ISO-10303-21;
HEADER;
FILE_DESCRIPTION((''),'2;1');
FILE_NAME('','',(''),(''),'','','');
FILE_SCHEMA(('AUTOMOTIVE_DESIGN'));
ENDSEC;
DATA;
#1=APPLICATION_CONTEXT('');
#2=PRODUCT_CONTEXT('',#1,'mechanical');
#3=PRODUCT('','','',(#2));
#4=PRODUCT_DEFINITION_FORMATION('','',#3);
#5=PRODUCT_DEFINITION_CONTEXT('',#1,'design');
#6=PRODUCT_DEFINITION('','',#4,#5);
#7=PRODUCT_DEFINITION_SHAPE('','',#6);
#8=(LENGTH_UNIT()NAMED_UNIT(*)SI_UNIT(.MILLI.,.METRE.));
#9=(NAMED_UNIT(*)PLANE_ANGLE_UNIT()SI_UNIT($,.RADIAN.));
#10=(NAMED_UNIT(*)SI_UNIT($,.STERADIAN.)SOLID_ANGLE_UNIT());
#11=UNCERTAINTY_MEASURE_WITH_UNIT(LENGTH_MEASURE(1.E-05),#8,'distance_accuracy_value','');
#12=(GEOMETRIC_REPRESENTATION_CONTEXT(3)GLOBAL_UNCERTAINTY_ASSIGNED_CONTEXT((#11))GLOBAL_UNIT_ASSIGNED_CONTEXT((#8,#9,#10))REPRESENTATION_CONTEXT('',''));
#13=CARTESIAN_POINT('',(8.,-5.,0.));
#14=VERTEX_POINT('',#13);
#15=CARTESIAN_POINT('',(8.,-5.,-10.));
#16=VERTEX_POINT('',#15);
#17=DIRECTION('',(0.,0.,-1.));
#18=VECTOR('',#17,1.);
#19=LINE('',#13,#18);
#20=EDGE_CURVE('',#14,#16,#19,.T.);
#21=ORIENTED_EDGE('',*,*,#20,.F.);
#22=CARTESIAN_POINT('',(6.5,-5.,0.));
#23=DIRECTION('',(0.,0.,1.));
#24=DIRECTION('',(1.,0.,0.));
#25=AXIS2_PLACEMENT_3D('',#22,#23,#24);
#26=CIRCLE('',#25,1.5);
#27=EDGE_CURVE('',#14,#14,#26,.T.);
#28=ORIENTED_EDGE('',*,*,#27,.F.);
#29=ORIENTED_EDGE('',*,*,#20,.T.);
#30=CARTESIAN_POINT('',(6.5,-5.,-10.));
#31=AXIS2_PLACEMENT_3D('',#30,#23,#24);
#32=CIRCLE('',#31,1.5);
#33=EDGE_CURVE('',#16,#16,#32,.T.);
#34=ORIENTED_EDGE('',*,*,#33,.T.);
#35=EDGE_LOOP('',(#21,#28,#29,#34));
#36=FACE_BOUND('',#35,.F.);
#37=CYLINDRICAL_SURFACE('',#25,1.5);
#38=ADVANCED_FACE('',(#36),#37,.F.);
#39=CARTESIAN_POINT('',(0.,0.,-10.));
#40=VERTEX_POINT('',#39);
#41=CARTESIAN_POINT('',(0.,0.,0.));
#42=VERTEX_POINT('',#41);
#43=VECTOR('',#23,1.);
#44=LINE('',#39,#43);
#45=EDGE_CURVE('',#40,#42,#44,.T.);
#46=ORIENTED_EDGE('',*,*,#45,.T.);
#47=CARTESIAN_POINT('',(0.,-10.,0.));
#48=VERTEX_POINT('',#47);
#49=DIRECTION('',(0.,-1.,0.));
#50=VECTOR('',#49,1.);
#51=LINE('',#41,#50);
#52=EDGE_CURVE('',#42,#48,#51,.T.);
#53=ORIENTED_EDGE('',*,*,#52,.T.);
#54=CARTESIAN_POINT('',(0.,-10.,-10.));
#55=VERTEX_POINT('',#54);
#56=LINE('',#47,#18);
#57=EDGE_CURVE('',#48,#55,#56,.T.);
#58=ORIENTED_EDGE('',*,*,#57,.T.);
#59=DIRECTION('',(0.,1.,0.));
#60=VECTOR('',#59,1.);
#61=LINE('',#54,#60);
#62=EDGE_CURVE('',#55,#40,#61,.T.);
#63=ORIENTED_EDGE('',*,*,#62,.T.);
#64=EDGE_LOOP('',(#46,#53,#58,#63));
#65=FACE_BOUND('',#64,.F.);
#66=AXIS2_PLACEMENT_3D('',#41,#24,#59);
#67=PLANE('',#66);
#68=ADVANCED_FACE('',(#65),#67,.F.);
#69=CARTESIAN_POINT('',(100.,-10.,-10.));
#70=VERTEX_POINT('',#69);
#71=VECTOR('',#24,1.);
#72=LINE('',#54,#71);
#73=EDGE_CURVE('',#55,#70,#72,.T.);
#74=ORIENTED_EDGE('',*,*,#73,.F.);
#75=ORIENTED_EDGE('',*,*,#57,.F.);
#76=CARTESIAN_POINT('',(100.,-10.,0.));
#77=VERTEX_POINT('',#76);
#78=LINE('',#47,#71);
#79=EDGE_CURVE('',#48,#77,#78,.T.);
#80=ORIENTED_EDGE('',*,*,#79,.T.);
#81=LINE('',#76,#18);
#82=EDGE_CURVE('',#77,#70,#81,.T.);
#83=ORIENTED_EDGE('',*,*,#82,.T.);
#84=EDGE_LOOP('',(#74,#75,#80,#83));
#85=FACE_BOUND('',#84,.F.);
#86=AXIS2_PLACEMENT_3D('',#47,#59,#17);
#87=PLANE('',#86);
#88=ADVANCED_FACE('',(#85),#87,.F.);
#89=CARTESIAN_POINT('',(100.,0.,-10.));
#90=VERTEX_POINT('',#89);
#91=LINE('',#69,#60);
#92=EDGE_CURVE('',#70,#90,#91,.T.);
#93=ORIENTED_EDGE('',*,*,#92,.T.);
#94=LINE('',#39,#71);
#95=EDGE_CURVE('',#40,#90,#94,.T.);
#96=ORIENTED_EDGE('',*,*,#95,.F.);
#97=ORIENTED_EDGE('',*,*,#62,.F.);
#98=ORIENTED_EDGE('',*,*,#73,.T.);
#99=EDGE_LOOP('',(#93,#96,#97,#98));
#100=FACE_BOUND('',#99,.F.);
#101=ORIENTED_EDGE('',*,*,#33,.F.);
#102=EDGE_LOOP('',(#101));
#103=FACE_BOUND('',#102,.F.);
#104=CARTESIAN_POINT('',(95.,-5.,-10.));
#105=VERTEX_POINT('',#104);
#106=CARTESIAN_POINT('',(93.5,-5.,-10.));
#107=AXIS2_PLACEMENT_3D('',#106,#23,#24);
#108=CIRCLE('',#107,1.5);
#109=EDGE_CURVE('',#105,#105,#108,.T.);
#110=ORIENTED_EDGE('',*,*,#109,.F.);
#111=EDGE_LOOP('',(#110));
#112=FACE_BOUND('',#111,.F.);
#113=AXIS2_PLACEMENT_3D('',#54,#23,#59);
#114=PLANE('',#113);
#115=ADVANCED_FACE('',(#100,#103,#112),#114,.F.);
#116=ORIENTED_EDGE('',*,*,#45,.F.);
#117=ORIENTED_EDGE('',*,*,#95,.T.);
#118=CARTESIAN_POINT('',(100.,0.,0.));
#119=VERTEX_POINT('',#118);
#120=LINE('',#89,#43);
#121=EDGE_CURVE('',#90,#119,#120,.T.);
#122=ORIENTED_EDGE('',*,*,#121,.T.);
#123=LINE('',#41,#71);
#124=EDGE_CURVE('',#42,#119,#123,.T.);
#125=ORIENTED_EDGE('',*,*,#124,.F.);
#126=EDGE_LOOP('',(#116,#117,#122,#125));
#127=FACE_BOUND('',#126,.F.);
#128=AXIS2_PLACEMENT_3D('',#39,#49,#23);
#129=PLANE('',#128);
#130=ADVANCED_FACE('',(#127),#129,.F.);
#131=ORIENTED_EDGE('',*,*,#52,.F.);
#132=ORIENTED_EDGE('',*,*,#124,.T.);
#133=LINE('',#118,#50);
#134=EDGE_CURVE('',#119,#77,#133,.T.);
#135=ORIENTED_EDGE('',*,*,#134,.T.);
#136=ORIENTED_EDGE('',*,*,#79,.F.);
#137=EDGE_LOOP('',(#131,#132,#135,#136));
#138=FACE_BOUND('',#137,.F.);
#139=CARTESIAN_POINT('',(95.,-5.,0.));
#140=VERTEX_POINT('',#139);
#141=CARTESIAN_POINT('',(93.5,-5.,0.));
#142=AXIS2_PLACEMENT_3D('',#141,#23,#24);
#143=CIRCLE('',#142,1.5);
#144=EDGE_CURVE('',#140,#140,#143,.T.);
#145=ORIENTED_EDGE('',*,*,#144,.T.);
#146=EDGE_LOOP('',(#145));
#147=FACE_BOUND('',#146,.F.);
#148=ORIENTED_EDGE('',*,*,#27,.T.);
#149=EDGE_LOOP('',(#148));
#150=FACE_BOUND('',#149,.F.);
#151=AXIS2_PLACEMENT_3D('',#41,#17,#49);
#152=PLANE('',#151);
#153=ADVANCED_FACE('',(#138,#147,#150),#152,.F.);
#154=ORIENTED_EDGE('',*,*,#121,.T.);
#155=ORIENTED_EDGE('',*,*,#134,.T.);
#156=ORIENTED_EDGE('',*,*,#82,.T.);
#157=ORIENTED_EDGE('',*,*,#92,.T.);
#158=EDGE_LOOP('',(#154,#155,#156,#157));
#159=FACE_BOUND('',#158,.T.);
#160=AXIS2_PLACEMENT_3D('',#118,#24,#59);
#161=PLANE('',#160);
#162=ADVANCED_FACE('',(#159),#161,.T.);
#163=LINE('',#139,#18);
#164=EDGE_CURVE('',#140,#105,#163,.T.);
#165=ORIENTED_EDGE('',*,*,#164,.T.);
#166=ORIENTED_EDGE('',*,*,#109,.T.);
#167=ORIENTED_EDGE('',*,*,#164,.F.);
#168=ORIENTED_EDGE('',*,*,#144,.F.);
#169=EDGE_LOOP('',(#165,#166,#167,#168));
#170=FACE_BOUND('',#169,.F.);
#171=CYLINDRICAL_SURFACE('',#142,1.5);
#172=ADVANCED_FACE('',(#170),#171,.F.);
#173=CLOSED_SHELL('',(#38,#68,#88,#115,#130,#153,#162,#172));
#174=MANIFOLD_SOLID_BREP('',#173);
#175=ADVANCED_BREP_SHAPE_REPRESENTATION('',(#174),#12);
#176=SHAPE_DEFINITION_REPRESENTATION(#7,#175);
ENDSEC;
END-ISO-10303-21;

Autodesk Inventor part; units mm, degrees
ref_plane "YZ Plane" through (0, 0, 0) normal (1, 0, 0) x (0, 1, 0)
ref_plane "XZ Plane" through (0, 0, 0) normal (0, 1, 0) x (-1, 0, 0)
ref_plane "XY Plane" through (0, 0, 0) normal (0, 0, 1) x (1, 0, 0)
sketch "Sketch1" plane through (0, 0, 0) normal (1, 0, 0) x (0, 1, 0)
  line L0 (0, 0) -> (-10, 0)
  line L1 (-10, 0) -> (-10, -10)
  line L2 (-10, -10) -> (0, -10)
  line L3 (0, -10) -> (0, 0)
  dimension "d0" = 10
  dimension "d1" = 10
extrude "Extrusion1" add sketch "Sketch1" along normal blind 100
sketch "Sketch2" plane through (100, 0, 0) normal (1, 0, 0) x (0, 0, -1)
  point P0 (0, 0)
sketch "Sketch3" plane through (0, -10, 0) normal (0, 0, 1) x (1, 0, 0)
  circle A0 centre (6.5, 5) radius 1.5
  circle A1 centre (93.5, 5) radius 1.5
  line L0 (0, 0) -> (0, 10) projected
  line L1 (100, 10) -> (100, 0) projected
  line L2 (0, 0) -> (100, 0) projected
  dimension "d4" = 3
  dimension "d5" = 3
  dimension "d6" = 5
  dimension "d7" = 5
  dimension "d8" = 3.5
  dimension "d9" = 5
extrude "Extrusion2" cut sketch "Sketch3" against normal blind 100
properties part number "fengmingroboticarm1"
